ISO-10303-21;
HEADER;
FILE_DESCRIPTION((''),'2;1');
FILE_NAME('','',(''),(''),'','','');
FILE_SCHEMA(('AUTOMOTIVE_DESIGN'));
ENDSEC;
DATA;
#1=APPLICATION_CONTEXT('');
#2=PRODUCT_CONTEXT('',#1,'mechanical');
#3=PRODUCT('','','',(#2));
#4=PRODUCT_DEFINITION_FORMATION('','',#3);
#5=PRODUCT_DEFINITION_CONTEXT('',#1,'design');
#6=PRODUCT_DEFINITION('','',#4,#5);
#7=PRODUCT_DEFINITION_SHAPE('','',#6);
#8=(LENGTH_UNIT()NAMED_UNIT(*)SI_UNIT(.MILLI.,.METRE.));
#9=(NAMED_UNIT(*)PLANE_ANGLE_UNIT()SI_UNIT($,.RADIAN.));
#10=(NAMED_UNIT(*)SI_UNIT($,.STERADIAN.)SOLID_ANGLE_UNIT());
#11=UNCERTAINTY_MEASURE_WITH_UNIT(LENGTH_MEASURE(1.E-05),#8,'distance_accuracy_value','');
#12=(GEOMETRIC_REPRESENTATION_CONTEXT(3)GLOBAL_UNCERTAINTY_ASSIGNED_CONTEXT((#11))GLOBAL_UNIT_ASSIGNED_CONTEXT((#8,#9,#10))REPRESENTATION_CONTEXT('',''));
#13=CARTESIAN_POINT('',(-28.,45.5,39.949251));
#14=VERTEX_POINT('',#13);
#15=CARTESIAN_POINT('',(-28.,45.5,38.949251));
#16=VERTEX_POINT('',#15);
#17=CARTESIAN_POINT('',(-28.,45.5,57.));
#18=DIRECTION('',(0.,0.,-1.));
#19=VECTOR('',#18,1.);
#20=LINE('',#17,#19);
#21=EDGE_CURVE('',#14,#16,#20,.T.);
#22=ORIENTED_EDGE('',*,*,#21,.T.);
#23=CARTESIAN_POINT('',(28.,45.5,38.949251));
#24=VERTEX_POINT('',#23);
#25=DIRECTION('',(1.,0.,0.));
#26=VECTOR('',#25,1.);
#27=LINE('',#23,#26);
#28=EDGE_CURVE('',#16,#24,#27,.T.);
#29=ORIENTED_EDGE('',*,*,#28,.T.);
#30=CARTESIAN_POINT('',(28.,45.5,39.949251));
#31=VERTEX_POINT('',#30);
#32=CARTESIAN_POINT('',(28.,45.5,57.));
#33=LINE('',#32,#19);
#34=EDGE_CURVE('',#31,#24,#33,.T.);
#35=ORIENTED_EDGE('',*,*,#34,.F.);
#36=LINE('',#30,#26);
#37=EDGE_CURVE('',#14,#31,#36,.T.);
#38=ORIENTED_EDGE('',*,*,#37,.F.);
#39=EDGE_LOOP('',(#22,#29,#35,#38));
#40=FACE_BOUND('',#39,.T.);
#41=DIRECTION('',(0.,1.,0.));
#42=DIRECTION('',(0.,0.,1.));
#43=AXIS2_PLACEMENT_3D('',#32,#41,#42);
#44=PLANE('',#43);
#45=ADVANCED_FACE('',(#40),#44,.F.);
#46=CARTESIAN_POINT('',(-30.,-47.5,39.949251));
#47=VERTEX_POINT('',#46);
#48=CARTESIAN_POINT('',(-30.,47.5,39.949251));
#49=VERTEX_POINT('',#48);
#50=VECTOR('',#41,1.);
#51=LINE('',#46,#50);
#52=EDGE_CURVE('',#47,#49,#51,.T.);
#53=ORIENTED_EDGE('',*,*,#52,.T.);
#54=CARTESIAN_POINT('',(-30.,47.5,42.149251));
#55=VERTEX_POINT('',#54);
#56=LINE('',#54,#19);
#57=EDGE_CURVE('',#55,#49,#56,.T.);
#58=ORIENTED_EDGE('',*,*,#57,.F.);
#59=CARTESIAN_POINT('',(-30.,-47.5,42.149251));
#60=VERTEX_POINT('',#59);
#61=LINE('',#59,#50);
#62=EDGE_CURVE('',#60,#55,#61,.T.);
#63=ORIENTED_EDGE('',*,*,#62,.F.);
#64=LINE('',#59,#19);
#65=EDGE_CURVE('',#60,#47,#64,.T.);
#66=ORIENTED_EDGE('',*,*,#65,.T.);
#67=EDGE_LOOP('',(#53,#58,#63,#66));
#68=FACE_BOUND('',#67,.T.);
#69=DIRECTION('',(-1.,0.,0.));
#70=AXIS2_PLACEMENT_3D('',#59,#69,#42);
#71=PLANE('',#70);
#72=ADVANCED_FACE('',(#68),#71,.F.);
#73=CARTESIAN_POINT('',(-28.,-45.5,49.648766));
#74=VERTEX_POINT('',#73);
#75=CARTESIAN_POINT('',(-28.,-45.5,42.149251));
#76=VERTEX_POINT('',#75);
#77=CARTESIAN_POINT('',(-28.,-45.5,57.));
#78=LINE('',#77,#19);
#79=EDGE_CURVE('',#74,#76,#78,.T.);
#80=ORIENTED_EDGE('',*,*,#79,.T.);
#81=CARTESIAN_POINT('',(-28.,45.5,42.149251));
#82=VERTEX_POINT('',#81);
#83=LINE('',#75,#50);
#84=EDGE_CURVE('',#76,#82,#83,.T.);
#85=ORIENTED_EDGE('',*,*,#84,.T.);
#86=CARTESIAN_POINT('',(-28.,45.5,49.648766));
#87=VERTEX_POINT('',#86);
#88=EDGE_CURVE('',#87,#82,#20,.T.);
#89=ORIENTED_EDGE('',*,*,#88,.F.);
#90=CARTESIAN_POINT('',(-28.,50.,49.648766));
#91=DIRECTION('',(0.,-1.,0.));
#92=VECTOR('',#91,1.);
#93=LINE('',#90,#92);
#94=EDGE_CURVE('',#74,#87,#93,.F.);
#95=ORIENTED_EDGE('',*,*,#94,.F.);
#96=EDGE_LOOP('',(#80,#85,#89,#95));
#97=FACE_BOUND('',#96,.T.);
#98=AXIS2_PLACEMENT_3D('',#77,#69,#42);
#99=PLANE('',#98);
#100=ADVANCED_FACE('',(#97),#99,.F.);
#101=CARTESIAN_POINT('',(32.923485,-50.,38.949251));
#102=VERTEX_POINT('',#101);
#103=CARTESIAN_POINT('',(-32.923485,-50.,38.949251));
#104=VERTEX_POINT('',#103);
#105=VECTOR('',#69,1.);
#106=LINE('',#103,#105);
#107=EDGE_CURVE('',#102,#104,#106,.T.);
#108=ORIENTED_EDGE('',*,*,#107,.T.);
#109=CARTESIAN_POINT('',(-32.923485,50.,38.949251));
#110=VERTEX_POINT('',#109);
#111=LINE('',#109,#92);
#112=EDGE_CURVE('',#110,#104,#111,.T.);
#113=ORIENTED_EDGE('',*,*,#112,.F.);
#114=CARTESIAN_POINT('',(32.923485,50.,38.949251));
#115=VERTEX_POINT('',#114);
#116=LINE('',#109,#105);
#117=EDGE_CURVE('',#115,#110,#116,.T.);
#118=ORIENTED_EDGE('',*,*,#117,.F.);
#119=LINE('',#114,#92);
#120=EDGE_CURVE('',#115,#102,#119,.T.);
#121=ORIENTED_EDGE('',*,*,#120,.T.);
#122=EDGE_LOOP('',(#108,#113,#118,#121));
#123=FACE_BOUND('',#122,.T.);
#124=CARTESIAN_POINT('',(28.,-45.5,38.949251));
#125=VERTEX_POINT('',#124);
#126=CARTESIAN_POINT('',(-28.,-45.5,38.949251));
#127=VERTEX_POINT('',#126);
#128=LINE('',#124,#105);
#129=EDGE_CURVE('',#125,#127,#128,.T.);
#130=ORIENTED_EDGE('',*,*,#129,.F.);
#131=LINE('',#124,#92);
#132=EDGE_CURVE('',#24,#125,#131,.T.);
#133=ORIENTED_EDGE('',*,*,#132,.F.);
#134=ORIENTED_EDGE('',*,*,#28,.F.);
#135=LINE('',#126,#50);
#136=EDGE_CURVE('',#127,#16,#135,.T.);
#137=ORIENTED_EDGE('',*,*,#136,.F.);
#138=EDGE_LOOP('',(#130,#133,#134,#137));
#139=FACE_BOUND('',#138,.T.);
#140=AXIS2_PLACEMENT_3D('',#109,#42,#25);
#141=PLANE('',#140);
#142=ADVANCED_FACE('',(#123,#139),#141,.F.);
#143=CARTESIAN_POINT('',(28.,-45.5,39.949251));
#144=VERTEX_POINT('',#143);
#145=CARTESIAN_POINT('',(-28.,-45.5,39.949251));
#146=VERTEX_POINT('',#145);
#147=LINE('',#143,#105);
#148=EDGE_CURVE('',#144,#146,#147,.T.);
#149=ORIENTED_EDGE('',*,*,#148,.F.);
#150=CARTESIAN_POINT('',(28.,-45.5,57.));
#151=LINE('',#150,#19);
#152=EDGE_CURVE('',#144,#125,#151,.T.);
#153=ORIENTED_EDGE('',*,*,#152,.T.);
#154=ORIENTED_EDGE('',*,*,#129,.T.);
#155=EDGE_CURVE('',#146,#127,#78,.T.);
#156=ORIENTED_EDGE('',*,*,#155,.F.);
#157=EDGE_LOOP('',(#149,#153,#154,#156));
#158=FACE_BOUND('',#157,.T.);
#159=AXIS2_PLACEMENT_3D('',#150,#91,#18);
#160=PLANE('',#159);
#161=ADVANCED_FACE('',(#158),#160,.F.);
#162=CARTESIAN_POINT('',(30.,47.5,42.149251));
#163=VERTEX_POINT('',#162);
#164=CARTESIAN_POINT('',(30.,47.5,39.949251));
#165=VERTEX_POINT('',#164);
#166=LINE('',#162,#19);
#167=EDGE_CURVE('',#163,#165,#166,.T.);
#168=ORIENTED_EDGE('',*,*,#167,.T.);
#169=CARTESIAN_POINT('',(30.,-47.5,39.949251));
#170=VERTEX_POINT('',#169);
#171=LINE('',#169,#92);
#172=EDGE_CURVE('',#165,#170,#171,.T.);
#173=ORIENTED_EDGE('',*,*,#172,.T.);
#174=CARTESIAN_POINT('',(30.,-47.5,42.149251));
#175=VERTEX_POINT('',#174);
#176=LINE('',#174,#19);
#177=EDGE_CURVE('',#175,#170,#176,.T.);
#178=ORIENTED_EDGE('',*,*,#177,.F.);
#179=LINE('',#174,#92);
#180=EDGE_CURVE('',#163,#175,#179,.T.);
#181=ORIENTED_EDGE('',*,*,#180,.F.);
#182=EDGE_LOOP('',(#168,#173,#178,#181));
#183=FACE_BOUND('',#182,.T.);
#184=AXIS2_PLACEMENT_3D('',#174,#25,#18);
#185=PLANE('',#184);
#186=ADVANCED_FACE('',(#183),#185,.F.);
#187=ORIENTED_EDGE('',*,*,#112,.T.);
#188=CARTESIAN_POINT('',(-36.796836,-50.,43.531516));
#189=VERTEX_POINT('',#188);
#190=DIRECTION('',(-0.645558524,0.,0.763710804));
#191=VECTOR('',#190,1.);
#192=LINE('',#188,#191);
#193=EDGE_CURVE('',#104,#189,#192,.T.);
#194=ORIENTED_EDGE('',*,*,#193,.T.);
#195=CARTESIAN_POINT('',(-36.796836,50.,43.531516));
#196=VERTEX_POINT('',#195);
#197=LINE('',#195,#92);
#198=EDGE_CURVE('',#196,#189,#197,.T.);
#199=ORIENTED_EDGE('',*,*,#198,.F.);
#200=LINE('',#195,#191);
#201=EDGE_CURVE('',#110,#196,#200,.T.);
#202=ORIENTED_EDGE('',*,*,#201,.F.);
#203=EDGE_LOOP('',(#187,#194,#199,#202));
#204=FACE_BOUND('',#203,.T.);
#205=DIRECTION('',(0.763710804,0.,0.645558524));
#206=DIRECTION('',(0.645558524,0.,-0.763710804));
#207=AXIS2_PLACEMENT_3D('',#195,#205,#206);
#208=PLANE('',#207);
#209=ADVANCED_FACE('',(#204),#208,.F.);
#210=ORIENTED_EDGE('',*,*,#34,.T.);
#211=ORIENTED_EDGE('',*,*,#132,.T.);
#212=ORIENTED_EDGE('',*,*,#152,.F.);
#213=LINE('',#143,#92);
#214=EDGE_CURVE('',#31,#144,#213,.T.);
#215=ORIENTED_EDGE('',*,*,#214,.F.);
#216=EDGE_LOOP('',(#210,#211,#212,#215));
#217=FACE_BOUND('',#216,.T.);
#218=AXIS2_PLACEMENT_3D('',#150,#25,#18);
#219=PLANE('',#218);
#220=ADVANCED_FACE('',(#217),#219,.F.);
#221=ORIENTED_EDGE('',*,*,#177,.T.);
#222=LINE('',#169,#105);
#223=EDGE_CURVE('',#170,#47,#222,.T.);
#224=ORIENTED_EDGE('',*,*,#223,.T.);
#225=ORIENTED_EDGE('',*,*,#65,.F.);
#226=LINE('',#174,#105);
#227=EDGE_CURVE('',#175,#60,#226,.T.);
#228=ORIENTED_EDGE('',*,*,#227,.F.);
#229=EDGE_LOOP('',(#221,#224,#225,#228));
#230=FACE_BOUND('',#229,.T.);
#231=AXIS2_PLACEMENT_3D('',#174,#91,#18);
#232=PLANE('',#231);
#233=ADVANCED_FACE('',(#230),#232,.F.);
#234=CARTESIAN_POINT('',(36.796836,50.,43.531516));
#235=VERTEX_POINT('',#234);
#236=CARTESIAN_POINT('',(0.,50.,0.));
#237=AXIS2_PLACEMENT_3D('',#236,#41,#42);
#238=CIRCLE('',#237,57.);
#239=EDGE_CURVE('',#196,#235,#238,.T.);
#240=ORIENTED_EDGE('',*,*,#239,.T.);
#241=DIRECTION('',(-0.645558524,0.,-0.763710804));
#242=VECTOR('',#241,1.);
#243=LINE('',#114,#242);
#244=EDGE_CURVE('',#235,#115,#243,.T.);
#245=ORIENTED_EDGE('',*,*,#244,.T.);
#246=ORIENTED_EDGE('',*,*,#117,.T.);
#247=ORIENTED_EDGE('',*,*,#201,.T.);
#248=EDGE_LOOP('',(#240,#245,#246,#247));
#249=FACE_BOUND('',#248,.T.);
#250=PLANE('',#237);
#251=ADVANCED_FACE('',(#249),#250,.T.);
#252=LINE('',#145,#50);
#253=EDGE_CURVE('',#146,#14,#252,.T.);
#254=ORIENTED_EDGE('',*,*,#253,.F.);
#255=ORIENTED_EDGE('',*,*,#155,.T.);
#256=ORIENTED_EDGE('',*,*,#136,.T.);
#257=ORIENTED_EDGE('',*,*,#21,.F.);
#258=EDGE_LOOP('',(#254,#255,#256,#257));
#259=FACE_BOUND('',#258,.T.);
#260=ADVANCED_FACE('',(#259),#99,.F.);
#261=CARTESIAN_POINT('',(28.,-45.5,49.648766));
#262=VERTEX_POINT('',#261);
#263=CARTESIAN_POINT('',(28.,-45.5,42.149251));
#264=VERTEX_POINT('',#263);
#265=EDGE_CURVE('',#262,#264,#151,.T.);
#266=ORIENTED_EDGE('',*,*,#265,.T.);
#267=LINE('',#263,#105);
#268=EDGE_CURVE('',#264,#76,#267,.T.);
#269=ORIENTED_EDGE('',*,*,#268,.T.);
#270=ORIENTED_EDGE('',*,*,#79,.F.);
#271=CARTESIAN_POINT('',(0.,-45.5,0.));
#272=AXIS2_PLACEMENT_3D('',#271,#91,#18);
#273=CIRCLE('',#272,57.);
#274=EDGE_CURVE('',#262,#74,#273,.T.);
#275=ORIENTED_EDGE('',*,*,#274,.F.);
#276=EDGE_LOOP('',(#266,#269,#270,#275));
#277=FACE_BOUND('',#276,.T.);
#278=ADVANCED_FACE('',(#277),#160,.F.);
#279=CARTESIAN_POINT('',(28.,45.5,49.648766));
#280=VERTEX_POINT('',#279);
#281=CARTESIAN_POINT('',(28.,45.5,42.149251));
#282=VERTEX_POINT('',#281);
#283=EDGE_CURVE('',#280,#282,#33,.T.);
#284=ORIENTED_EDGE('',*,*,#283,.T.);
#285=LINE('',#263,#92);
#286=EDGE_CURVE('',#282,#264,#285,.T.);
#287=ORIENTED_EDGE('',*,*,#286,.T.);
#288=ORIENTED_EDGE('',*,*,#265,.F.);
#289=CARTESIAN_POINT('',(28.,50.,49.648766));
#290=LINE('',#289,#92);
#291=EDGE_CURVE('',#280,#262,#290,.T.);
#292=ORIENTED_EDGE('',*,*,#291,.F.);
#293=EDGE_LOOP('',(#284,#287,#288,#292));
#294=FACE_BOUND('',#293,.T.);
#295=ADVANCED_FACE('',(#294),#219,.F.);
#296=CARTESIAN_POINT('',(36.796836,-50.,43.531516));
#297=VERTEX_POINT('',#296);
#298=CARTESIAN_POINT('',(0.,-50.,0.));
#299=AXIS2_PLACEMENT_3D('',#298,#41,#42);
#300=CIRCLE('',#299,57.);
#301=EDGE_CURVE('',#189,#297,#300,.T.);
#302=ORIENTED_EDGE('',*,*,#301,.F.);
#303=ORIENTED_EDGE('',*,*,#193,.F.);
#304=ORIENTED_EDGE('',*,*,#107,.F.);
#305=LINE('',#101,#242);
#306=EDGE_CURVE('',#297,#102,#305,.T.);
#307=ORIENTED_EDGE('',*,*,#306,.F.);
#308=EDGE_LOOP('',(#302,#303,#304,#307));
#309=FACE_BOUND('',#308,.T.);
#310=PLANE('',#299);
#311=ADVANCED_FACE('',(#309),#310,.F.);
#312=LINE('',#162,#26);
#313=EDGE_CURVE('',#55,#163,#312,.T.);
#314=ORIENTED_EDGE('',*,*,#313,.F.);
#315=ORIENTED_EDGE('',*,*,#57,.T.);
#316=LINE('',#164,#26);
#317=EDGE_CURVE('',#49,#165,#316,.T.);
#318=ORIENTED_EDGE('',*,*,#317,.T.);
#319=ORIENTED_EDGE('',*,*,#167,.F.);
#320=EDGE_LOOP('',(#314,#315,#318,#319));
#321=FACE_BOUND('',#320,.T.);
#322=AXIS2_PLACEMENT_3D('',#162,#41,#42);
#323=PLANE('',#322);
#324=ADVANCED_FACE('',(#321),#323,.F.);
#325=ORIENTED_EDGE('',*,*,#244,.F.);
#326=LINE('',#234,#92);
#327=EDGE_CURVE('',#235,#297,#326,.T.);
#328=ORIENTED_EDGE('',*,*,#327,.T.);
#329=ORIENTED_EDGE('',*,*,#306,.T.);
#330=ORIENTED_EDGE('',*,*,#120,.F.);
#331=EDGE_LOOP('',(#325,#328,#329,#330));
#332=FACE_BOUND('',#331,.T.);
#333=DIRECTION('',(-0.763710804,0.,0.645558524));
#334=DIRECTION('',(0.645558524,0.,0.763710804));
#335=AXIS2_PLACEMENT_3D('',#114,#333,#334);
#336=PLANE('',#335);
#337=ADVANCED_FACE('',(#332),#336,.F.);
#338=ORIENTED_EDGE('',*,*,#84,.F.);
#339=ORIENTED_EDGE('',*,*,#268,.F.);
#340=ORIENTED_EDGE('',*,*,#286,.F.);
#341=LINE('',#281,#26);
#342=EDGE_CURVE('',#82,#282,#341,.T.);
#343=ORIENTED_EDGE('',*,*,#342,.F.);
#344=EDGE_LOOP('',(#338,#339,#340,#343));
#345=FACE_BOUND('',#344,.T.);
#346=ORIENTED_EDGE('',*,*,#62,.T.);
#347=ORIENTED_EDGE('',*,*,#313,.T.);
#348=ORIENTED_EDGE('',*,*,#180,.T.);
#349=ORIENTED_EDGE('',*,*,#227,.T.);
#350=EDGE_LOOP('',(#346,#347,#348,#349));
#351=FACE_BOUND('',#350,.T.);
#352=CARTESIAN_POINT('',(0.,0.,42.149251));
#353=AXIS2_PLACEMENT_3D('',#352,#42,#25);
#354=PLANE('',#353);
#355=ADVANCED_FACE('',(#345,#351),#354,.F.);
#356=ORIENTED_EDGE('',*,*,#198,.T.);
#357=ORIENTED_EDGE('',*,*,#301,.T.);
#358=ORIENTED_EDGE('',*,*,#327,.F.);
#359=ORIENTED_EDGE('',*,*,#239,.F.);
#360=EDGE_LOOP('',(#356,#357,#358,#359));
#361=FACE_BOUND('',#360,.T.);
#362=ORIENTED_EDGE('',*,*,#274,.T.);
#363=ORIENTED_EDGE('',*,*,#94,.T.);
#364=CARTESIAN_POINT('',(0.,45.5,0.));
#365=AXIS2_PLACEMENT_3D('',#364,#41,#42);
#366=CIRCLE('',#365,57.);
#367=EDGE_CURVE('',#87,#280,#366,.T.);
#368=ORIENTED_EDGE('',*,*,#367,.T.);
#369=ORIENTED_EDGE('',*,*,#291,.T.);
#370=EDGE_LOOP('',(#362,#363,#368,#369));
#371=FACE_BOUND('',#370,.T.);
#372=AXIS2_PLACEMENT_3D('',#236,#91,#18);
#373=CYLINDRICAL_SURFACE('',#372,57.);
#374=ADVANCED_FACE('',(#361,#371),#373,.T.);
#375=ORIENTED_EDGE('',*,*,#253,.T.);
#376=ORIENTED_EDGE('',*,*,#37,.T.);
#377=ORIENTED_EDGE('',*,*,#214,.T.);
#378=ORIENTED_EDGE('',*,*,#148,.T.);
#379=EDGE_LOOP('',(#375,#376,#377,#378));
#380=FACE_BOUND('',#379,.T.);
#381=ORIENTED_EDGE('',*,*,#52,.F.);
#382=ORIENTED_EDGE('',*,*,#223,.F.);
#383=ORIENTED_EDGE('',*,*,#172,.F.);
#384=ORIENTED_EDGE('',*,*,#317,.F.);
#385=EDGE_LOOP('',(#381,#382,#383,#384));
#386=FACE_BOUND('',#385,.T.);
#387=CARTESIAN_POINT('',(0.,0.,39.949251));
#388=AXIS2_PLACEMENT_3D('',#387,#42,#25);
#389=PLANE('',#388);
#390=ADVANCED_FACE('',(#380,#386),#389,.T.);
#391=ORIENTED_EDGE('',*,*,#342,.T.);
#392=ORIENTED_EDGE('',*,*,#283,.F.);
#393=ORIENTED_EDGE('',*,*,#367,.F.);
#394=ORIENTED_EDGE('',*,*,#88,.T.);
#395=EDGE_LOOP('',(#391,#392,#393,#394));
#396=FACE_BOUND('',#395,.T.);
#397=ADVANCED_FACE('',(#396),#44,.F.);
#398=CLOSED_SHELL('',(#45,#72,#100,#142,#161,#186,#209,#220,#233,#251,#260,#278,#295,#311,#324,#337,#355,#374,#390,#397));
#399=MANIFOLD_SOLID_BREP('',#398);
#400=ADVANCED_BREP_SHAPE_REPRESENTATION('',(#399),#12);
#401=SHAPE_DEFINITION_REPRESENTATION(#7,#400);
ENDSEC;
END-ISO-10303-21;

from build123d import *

# Parameters (mm, degrees)
BOSS_EXTRUDE1_DEPTH = 50
SKETCH2_W           = 56
SKETCH2_H           = 91
CUT_EXTRUDE1_DEPTH  = 65.651656333
CUT_EXTRUDE2_START  = -1
SKETCH3_W           = 60
SKETCH3_H           = 95
CUT_EXTRUDE2_DEPTH  = 2.2


with BuildPart() as part:
    # Sketch1 → Boss-Extrude1 (new, symmetric)
    with BuildSketch(Plane(origin=(0, 0, 0), x_dir=(1, 0, 0), z_dir=(0, 1, 0))):
        with BuildLine():
            Line((-36.796835842, -43.531515848), (-32.9234847, -38.949251022))
            Line((-32.9234847, -38.949251022), (32.9234847, -38.949251022))
            Line((32.9234847, -38.949251022), (36.796835842, -43.531515848))
            ThreePointArc((36.796835842, -43.531515848), (0, -57), (-36.796835842, -43.531515848))
        make_face()
    extrude(amount=BOSS_EXTRUDE1_DEPTH, both=True)

    # Sketch2 → Cut-Extrude1 (cut, through all)
    with BuildSketch(Plane(origin=(0, 0, 38.949251022), x_dir=(-1, 0, 0), z_dir=(0, 0, -1))):
        Rectangle(SKETCH2_W, SKETCH2_H)
    extrude(amount=-CUT_EXTRUDE1_DEPTH, mode=Mode.SUBTRACT)

    # Sketch3 → Cut-Extrude2 (cut)
    with BuildSketch(Plane(origin=(0, 0, 38.949251022), x_dir=(-1, 0, 0), z_dir=(0, 0, -1)).offset(CUT_EXTRUDE2_START)):
        Rectangle(SKETCH3_W, SKETCH3_H)
    extrude(amount=-CUT_EXTRUDE2_DEPTH, mode=Mode.SUBTRACT)


solid = part.part
